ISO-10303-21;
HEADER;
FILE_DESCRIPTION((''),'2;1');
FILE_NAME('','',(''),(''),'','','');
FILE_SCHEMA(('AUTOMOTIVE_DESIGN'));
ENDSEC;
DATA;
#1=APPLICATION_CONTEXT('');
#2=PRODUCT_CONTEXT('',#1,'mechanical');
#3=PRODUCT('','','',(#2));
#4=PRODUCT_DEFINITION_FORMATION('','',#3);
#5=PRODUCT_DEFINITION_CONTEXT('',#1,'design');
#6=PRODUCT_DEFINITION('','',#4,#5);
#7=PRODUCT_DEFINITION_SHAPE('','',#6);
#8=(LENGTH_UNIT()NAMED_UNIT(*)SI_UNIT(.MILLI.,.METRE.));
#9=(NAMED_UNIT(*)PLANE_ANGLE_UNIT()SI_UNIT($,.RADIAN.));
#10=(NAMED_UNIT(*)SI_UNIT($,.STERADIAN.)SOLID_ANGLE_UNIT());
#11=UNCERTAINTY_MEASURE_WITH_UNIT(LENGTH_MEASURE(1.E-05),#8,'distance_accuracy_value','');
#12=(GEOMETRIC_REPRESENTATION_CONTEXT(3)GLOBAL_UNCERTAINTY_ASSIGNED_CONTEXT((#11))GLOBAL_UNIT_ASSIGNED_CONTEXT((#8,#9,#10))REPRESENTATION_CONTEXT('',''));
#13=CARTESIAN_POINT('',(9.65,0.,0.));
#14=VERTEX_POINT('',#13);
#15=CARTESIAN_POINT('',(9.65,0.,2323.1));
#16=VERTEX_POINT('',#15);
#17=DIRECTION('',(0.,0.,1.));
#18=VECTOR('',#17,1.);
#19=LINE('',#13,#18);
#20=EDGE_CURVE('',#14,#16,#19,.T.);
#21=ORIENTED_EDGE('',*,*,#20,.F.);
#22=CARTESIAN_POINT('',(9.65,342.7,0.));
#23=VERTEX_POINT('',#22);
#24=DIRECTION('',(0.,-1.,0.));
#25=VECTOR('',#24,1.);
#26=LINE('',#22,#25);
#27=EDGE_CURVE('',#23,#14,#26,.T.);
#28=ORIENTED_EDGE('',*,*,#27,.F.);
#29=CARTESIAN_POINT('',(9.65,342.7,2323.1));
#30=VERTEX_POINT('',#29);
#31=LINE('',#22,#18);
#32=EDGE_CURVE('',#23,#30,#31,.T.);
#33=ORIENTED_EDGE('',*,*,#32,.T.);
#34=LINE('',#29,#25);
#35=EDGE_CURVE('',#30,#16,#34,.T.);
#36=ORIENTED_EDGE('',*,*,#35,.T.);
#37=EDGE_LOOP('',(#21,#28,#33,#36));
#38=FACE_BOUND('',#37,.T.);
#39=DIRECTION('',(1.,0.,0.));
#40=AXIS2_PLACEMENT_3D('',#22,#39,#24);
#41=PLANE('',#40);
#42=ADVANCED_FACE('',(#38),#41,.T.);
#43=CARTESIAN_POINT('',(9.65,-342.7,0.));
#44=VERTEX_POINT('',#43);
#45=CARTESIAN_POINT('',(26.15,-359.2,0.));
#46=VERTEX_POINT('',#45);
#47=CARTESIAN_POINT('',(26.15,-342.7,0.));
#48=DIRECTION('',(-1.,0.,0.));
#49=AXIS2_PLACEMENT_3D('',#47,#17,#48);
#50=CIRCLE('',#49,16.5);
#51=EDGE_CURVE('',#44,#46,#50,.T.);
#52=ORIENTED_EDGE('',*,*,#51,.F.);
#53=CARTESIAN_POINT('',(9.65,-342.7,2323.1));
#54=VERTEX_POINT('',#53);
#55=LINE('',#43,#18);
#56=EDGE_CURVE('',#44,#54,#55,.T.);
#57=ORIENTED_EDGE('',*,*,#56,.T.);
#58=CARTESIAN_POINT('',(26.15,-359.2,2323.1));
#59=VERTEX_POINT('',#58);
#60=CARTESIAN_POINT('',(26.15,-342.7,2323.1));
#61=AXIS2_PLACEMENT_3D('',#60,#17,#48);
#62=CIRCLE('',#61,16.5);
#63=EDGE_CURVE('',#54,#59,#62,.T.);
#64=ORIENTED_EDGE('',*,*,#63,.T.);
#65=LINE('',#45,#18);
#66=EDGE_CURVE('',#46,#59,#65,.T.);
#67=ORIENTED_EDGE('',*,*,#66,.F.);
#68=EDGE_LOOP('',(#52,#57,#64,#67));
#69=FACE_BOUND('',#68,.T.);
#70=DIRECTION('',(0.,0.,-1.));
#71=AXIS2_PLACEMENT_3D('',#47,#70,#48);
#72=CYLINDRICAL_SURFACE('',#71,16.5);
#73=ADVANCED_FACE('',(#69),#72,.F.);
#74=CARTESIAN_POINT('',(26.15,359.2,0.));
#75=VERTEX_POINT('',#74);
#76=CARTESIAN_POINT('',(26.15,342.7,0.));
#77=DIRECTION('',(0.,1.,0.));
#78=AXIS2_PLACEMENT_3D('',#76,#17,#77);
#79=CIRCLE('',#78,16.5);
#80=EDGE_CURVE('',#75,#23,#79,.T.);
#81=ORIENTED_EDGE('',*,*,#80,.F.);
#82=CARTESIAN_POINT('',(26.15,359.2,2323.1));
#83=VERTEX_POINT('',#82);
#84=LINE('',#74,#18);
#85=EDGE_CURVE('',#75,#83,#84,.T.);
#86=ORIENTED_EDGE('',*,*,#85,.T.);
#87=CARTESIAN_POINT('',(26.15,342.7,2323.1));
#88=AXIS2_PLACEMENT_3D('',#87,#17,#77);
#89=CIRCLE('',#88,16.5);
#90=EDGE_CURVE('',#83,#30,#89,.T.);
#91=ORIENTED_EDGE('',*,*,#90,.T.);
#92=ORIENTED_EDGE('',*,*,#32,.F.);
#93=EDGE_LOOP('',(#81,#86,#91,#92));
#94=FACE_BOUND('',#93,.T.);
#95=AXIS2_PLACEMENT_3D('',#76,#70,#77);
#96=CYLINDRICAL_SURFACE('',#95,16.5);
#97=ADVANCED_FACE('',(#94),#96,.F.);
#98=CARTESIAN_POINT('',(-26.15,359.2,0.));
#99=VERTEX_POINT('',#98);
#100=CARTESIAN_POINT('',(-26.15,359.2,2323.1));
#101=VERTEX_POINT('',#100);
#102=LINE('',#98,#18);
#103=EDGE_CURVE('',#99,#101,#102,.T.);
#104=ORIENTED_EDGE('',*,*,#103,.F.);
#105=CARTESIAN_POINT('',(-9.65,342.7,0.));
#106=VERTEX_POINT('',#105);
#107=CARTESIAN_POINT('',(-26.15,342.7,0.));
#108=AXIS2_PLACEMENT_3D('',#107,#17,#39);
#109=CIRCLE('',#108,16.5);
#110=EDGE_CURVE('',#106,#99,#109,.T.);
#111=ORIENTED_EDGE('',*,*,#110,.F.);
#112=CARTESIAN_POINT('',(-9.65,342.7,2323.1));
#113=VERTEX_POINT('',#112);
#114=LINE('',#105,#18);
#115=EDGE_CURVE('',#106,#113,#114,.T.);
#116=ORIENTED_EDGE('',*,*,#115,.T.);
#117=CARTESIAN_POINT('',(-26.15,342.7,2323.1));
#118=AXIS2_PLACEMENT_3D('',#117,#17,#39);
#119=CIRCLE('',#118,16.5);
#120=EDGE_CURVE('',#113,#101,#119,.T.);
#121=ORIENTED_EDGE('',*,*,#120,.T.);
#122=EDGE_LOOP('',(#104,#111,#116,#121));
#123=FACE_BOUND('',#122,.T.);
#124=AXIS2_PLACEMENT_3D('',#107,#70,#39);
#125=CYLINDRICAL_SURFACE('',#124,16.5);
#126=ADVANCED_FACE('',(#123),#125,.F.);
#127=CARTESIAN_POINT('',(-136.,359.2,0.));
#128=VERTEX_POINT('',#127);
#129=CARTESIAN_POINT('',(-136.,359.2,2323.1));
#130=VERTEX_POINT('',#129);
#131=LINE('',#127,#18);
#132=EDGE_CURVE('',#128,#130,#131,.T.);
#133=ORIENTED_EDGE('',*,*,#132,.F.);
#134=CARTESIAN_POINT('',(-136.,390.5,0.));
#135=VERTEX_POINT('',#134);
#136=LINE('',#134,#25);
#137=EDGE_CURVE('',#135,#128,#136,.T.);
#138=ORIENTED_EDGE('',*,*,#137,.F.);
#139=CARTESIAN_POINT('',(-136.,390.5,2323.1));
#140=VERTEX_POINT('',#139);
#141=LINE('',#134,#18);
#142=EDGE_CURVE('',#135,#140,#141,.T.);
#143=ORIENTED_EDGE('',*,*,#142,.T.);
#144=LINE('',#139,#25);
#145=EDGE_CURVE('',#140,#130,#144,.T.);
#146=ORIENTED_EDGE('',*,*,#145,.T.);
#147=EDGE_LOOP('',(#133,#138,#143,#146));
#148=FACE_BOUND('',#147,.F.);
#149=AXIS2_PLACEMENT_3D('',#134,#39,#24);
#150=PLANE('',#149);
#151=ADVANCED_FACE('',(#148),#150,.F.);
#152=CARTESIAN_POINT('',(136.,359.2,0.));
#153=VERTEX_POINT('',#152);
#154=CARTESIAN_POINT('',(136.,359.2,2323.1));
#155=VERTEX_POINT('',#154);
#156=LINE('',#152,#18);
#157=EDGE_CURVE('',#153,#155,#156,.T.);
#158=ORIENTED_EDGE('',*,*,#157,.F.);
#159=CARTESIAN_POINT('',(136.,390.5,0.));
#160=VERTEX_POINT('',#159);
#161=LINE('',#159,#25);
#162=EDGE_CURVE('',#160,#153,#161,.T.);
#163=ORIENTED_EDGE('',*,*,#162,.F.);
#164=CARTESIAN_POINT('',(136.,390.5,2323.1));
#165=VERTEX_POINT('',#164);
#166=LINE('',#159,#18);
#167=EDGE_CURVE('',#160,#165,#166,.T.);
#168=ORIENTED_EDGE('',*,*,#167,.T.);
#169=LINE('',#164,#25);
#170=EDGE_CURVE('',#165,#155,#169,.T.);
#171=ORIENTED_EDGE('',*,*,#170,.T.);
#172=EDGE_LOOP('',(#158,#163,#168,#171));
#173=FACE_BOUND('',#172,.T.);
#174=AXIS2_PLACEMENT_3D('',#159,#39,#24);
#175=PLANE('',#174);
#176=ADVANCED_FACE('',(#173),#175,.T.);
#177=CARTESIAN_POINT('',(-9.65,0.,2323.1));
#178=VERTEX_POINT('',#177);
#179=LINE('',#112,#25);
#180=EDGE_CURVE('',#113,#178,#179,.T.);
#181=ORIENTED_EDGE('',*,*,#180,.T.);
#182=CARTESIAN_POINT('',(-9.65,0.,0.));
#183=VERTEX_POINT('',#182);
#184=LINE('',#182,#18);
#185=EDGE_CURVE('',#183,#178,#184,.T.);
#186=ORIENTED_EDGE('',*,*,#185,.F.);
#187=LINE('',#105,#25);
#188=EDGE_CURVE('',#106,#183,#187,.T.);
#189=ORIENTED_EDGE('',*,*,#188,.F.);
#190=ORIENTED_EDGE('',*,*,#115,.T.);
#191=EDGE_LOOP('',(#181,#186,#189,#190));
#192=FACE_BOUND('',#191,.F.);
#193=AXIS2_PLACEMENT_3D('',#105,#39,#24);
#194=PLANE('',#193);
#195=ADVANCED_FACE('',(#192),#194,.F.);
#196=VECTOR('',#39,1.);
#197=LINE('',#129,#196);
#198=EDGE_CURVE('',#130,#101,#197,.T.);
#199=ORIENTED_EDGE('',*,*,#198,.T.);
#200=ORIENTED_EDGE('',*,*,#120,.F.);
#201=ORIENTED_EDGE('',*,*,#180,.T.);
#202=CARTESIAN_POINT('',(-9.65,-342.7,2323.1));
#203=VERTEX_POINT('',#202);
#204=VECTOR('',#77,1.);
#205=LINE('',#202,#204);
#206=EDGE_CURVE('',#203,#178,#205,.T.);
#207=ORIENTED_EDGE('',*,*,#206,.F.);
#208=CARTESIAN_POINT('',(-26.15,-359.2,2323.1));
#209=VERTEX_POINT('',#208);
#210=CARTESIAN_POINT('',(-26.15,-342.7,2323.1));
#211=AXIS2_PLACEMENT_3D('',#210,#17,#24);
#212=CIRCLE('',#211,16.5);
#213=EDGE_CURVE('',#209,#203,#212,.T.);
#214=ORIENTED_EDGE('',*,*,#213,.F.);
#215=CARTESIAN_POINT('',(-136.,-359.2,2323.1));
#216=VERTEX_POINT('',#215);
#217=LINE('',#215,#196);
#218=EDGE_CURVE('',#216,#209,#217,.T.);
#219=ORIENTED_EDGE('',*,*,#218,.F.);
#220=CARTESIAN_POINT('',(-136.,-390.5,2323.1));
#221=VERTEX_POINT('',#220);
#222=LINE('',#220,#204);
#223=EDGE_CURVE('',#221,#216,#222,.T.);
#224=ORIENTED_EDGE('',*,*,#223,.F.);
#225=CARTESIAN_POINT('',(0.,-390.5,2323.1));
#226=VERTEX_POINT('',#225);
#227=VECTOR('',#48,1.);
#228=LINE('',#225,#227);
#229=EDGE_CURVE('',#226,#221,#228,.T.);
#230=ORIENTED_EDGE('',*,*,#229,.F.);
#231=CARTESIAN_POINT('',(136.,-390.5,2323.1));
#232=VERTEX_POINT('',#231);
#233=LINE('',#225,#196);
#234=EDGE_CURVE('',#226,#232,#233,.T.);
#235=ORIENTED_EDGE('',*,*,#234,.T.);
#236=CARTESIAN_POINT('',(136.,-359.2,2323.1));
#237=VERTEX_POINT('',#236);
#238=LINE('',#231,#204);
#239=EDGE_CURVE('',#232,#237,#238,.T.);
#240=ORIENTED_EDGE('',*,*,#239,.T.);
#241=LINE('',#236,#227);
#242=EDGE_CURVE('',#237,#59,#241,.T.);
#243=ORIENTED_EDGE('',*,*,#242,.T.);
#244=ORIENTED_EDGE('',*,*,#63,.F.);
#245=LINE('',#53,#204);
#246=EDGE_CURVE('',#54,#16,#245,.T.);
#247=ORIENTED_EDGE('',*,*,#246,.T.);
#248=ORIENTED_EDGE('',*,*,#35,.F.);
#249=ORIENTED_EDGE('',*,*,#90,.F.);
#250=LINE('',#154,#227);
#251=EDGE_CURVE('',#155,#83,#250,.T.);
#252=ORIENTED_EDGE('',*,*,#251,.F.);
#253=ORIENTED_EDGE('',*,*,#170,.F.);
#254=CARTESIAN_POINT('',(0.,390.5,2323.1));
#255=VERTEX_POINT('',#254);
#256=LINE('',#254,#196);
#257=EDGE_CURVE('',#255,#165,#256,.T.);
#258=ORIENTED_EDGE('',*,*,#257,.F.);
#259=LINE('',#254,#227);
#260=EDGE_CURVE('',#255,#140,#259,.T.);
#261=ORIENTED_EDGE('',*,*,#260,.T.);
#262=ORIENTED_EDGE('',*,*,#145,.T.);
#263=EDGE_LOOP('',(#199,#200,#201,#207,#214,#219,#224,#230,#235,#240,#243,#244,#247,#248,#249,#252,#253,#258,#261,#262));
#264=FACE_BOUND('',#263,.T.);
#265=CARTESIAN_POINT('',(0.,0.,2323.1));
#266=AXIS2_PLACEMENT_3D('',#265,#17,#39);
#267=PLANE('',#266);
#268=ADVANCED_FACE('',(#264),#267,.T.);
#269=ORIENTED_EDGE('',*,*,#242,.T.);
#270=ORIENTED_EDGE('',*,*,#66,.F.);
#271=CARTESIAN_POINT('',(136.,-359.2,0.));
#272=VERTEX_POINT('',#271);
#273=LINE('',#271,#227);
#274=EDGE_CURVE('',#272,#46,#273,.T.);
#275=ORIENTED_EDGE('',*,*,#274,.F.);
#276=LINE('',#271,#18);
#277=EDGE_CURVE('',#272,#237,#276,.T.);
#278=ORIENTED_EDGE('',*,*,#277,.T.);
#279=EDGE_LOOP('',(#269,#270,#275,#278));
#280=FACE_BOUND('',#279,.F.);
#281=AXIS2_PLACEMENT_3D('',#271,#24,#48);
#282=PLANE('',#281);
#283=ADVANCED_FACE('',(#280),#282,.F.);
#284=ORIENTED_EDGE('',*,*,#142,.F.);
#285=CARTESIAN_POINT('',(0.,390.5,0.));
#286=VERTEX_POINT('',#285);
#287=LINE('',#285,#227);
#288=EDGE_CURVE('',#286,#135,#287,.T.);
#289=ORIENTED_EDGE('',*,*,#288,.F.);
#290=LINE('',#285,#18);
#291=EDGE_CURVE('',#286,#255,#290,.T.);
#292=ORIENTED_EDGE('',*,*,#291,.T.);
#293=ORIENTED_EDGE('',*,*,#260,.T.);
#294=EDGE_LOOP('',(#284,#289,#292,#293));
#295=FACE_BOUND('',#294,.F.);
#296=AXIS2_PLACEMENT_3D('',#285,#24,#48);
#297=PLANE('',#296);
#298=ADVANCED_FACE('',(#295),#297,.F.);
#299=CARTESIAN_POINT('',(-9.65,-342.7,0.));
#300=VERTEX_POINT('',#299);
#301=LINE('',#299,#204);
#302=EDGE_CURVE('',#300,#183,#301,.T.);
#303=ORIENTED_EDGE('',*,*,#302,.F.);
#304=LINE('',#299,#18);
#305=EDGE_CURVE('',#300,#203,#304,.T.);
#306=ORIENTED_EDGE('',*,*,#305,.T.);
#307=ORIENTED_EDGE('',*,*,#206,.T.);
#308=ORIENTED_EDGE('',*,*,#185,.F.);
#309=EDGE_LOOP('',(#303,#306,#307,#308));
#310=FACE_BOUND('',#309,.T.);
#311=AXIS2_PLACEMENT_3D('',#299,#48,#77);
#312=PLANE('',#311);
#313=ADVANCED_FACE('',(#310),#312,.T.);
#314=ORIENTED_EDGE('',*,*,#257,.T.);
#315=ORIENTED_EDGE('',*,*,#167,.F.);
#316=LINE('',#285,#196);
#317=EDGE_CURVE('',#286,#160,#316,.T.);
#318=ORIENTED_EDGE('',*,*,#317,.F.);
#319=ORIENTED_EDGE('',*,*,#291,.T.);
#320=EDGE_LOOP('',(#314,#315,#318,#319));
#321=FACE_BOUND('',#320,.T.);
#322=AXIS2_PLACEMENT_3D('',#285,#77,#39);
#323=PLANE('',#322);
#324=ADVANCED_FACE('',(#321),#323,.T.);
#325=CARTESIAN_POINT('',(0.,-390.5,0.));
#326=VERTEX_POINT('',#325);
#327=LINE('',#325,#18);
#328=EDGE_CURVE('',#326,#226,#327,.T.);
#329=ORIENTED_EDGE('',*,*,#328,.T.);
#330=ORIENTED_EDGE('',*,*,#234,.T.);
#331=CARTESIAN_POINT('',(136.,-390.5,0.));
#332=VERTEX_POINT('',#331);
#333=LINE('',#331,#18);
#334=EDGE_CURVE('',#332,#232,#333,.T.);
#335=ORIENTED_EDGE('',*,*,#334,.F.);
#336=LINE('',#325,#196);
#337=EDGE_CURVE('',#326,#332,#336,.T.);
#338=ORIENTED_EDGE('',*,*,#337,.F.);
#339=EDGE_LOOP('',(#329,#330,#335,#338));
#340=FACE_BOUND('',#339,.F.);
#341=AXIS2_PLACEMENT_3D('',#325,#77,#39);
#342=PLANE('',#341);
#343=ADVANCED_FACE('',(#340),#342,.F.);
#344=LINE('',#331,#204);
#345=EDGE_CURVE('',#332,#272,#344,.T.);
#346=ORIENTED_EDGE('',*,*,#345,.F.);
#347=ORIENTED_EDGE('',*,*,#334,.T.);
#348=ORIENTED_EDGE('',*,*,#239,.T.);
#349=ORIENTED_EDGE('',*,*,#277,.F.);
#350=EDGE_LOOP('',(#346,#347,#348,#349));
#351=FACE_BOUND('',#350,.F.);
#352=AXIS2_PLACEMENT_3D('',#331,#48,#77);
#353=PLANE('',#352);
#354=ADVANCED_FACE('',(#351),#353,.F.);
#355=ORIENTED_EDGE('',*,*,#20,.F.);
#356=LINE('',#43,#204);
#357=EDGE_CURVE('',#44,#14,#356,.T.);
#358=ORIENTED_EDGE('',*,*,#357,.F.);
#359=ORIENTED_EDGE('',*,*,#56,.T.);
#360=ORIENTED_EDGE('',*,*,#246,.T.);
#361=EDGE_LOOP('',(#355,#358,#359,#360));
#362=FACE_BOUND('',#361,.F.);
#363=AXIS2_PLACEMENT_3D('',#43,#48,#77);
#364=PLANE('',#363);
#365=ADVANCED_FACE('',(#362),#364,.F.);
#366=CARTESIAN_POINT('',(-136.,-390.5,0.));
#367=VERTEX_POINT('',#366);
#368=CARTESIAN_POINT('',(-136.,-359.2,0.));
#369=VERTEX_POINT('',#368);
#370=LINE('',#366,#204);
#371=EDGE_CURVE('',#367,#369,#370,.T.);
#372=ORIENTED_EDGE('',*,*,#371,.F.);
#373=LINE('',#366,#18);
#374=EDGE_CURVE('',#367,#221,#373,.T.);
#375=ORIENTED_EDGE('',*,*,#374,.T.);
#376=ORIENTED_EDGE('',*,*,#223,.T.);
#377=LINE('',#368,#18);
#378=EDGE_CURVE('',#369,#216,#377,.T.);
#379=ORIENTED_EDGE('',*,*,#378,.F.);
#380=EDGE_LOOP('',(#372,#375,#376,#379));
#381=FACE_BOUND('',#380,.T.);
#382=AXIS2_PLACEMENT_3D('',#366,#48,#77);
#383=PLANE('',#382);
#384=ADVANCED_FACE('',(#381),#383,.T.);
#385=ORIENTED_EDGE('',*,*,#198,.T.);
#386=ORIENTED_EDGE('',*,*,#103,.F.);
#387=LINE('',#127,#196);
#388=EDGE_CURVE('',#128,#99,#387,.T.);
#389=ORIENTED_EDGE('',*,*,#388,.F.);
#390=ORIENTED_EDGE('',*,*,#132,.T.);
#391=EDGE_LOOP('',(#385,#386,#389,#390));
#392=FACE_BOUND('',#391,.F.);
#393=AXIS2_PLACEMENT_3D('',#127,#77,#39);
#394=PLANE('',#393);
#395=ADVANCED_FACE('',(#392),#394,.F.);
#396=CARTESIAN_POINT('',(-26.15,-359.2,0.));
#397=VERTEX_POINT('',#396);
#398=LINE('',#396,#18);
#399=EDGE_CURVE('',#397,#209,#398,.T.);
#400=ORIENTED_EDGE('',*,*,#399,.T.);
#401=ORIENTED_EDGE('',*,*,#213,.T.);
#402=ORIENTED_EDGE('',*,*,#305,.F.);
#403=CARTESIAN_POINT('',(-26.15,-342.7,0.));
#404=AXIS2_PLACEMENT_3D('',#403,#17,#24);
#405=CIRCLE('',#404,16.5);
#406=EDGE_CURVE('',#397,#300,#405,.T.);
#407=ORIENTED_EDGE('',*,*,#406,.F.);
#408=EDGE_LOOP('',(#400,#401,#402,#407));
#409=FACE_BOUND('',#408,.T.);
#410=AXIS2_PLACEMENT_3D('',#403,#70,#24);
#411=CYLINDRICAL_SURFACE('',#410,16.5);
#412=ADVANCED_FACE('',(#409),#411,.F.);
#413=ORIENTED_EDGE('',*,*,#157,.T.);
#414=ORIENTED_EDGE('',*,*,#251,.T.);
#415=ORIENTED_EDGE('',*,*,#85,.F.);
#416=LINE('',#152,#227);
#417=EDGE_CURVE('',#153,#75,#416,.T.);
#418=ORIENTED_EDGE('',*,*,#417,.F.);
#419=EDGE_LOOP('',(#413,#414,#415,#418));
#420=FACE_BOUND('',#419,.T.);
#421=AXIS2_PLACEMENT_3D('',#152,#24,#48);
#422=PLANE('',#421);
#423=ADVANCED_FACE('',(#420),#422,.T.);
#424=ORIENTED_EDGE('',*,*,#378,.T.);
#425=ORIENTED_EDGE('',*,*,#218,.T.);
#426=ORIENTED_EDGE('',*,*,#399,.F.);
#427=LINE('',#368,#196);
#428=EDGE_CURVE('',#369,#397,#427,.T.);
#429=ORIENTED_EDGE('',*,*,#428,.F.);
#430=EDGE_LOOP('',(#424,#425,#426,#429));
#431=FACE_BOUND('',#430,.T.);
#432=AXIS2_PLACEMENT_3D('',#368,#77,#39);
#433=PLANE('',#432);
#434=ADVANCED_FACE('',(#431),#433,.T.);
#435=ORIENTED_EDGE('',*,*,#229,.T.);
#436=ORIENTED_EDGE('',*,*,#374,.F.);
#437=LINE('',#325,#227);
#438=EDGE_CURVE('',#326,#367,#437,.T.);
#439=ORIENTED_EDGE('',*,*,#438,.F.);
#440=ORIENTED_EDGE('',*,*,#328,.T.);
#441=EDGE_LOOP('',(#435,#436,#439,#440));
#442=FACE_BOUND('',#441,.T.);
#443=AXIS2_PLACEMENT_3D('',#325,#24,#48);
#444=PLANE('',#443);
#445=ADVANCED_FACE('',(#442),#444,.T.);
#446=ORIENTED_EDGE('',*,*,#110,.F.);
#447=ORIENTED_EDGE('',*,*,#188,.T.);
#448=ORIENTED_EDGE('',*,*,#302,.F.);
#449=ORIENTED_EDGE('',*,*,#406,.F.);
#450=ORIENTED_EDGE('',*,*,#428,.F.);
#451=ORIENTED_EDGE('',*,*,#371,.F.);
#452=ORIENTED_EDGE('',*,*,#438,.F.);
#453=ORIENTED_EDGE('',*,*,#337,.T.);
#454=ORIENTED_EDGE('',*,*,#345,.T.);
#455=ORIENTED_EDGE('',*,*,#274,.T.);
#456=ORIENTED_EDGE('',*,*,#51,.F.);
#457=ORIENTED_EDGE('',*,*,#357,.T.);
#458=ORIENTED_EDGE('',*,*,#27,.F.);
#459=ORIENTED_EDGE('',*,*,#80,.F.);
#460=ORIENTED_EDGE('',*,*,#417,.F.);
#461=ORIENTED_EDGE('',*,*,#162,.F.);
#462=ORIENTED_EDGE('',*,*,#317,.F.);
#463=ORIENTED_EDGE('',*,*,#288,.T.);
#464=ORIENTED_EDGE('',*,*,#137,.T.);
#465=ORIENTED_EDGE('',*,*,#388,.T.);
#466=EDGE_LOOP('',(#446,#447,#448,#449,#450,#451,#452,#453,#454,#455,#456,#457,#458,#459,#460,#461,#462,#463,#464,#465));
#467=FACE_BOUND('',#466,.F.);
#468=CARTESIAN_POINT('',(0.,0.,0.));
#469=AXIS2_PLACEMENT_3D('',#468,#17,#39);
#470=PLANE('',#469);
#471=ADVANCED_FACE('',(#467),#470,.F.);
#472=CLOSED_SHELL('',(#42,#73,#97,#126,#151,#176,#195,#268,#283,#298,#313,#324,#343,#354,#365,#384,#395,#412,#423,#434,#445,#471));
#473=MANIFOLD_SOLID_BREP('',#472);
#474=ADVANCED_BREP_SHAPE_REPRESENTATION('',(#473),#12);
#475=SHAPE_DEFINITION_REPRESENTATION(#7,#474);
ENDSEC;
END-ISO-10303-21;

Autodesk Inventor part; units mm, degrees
ref_plane "YZ Plane" through (0, 0, 0) normal (1, 0, 0) x (0, 1, 0)
ref_plane "Start plane" through (0, 0, 0) normal (0, 0, 1) x (1, 0, 0)
ref_plane "End plane" through (0, 0, 2323.1) normal (0, 0, 1) x (1, 0, 0)
sketch "Sketch" plane through (0, 0, 0) normal (0, 0, 1) x (1, 0, 0)
  line L0 (-136, -390.5) -> (-136, -359.2)
  line L1 (-136, -359.2) -> (-26.15, -359.2)
  line L2 (-9.65, -342.7) -> (-9.65, 0)
  line L3 (-9.65, 0) -> (0, 0) construction
  line L4 (0, 0) -> (0, -390.5) construction
  line L5 (0, -390.5) -> (-136, -390.5)
  line L6 (-60, 0) -> (80, 0) construction
  line L7 (0, -60) -> (0, 80) construction
  line L8 (136, -390.5) -> (136, -359.2)
  line L9 (136, -359.2) -> (26.15, -359.2)
  line L10 (9.65, -342.7) -> (9.65, 0)
  line L11 (9.65, 0) -> (0, 0) construction
  line L12 (0, -390.5) -> (136, -390.5)
  line L13 (-136, 390.5) -> (-136, 359.2)
  line L14 (-136, 359.2) -> (-26.15, 359.2)
  line L15 (-9.65, 342.7) -> (-9.65, 0)
  line L16 (0, 390.5) -> (-136, 390.5)
  line L17 (136, 390.5) -> (136, 359.2)
  line L18 (136, 359.2) -> (26.15, 359.2)
  line L19 (0, 390.5) -> (136, 390.5)
  line L20 (9.65, 342.7) -> (9.65, 0)
  arc A0 (-9.65, 342.7) -> (-26.15, 359.2) centre (-26.15, 342.7) ccw
  arc A1 (26.15, 359.2) -> (9.65, 342.7) centre (26.15, 342.7) ccw
  arc A2 (9.65, -342.7) -> (26.15, -359.2) centre (26.15, -342.7) ccw
  arc A3 (-26.15, -359.2) -> (-9.65, -342.7) centre (-26.15, -342.7) ccw
  line L21 (0, 108) -> (0, -88) construction
  line L22 (-88, 0) -> (108, 0) construction
  point P0 (-9.65, -359.2)
  point P1 (9.65, -359.2)
  point P2 (-9.65, 359.2)
  point P3 (9.65, 359.2)
  dimension "d1" = 390.5
  dimension "d2" = 31.3
  dimension "d3" = 136
  dimension "d4" = 9.65
  dimension "d10" = 16.5
extrude "Body" add sketch "Sketch" along normal up to surface (2323.1 mm away) from surface at 0
sketch "Sketch4" plane through (0, 0, 0) normal (0, 0, 1) x (1, 0, 0)
  line L0 (0, 0) -> (10, 0)
ref_plane "Work Plane3" through (0, 0, 0) normal (0, -1, 0) x (1, 0, 0)
sketch "Sketch5" plane through (0, 0, 0) normal (0, -1, 0) x (1, 0, 0)
  line L0 (-2, 0) -> (12, 0) projected
  line L1 (-2, 2323.1) -> (12, 2323.1) projected
  dimension "d14" = 2323.1
equation "\"d1\" = 0.5 * G_H"
equation "\"d2\" = G_T1"
equation "\"d3\" = 0.5 * G_W"
equation "\"d4\" = 0.5 * G_T"
equation "\"d10\" = G_IR"
equation "\"d5\" = G_L"
equation "\"G_W\" = 272"
equation "\"G_H\" = 781"
equation "\"G_T\" = 19.3"
equation "\"G_T1\" = 31.3"
equation "\"G_IR\" = 16.5"
equation "\"G_L\" = d14"
equation "\"G_OFFSET_START\" = 0"
equation "\"G_OFFSET_END\" = 0"
equation "\"d12\" = G_OFFSET_END + B_L"
equation "\"B_L\" = 2323.1"
properties part number "AS 3679-1990 - 760 UB - 244 - 2323.1" material "Steel, Mild"
